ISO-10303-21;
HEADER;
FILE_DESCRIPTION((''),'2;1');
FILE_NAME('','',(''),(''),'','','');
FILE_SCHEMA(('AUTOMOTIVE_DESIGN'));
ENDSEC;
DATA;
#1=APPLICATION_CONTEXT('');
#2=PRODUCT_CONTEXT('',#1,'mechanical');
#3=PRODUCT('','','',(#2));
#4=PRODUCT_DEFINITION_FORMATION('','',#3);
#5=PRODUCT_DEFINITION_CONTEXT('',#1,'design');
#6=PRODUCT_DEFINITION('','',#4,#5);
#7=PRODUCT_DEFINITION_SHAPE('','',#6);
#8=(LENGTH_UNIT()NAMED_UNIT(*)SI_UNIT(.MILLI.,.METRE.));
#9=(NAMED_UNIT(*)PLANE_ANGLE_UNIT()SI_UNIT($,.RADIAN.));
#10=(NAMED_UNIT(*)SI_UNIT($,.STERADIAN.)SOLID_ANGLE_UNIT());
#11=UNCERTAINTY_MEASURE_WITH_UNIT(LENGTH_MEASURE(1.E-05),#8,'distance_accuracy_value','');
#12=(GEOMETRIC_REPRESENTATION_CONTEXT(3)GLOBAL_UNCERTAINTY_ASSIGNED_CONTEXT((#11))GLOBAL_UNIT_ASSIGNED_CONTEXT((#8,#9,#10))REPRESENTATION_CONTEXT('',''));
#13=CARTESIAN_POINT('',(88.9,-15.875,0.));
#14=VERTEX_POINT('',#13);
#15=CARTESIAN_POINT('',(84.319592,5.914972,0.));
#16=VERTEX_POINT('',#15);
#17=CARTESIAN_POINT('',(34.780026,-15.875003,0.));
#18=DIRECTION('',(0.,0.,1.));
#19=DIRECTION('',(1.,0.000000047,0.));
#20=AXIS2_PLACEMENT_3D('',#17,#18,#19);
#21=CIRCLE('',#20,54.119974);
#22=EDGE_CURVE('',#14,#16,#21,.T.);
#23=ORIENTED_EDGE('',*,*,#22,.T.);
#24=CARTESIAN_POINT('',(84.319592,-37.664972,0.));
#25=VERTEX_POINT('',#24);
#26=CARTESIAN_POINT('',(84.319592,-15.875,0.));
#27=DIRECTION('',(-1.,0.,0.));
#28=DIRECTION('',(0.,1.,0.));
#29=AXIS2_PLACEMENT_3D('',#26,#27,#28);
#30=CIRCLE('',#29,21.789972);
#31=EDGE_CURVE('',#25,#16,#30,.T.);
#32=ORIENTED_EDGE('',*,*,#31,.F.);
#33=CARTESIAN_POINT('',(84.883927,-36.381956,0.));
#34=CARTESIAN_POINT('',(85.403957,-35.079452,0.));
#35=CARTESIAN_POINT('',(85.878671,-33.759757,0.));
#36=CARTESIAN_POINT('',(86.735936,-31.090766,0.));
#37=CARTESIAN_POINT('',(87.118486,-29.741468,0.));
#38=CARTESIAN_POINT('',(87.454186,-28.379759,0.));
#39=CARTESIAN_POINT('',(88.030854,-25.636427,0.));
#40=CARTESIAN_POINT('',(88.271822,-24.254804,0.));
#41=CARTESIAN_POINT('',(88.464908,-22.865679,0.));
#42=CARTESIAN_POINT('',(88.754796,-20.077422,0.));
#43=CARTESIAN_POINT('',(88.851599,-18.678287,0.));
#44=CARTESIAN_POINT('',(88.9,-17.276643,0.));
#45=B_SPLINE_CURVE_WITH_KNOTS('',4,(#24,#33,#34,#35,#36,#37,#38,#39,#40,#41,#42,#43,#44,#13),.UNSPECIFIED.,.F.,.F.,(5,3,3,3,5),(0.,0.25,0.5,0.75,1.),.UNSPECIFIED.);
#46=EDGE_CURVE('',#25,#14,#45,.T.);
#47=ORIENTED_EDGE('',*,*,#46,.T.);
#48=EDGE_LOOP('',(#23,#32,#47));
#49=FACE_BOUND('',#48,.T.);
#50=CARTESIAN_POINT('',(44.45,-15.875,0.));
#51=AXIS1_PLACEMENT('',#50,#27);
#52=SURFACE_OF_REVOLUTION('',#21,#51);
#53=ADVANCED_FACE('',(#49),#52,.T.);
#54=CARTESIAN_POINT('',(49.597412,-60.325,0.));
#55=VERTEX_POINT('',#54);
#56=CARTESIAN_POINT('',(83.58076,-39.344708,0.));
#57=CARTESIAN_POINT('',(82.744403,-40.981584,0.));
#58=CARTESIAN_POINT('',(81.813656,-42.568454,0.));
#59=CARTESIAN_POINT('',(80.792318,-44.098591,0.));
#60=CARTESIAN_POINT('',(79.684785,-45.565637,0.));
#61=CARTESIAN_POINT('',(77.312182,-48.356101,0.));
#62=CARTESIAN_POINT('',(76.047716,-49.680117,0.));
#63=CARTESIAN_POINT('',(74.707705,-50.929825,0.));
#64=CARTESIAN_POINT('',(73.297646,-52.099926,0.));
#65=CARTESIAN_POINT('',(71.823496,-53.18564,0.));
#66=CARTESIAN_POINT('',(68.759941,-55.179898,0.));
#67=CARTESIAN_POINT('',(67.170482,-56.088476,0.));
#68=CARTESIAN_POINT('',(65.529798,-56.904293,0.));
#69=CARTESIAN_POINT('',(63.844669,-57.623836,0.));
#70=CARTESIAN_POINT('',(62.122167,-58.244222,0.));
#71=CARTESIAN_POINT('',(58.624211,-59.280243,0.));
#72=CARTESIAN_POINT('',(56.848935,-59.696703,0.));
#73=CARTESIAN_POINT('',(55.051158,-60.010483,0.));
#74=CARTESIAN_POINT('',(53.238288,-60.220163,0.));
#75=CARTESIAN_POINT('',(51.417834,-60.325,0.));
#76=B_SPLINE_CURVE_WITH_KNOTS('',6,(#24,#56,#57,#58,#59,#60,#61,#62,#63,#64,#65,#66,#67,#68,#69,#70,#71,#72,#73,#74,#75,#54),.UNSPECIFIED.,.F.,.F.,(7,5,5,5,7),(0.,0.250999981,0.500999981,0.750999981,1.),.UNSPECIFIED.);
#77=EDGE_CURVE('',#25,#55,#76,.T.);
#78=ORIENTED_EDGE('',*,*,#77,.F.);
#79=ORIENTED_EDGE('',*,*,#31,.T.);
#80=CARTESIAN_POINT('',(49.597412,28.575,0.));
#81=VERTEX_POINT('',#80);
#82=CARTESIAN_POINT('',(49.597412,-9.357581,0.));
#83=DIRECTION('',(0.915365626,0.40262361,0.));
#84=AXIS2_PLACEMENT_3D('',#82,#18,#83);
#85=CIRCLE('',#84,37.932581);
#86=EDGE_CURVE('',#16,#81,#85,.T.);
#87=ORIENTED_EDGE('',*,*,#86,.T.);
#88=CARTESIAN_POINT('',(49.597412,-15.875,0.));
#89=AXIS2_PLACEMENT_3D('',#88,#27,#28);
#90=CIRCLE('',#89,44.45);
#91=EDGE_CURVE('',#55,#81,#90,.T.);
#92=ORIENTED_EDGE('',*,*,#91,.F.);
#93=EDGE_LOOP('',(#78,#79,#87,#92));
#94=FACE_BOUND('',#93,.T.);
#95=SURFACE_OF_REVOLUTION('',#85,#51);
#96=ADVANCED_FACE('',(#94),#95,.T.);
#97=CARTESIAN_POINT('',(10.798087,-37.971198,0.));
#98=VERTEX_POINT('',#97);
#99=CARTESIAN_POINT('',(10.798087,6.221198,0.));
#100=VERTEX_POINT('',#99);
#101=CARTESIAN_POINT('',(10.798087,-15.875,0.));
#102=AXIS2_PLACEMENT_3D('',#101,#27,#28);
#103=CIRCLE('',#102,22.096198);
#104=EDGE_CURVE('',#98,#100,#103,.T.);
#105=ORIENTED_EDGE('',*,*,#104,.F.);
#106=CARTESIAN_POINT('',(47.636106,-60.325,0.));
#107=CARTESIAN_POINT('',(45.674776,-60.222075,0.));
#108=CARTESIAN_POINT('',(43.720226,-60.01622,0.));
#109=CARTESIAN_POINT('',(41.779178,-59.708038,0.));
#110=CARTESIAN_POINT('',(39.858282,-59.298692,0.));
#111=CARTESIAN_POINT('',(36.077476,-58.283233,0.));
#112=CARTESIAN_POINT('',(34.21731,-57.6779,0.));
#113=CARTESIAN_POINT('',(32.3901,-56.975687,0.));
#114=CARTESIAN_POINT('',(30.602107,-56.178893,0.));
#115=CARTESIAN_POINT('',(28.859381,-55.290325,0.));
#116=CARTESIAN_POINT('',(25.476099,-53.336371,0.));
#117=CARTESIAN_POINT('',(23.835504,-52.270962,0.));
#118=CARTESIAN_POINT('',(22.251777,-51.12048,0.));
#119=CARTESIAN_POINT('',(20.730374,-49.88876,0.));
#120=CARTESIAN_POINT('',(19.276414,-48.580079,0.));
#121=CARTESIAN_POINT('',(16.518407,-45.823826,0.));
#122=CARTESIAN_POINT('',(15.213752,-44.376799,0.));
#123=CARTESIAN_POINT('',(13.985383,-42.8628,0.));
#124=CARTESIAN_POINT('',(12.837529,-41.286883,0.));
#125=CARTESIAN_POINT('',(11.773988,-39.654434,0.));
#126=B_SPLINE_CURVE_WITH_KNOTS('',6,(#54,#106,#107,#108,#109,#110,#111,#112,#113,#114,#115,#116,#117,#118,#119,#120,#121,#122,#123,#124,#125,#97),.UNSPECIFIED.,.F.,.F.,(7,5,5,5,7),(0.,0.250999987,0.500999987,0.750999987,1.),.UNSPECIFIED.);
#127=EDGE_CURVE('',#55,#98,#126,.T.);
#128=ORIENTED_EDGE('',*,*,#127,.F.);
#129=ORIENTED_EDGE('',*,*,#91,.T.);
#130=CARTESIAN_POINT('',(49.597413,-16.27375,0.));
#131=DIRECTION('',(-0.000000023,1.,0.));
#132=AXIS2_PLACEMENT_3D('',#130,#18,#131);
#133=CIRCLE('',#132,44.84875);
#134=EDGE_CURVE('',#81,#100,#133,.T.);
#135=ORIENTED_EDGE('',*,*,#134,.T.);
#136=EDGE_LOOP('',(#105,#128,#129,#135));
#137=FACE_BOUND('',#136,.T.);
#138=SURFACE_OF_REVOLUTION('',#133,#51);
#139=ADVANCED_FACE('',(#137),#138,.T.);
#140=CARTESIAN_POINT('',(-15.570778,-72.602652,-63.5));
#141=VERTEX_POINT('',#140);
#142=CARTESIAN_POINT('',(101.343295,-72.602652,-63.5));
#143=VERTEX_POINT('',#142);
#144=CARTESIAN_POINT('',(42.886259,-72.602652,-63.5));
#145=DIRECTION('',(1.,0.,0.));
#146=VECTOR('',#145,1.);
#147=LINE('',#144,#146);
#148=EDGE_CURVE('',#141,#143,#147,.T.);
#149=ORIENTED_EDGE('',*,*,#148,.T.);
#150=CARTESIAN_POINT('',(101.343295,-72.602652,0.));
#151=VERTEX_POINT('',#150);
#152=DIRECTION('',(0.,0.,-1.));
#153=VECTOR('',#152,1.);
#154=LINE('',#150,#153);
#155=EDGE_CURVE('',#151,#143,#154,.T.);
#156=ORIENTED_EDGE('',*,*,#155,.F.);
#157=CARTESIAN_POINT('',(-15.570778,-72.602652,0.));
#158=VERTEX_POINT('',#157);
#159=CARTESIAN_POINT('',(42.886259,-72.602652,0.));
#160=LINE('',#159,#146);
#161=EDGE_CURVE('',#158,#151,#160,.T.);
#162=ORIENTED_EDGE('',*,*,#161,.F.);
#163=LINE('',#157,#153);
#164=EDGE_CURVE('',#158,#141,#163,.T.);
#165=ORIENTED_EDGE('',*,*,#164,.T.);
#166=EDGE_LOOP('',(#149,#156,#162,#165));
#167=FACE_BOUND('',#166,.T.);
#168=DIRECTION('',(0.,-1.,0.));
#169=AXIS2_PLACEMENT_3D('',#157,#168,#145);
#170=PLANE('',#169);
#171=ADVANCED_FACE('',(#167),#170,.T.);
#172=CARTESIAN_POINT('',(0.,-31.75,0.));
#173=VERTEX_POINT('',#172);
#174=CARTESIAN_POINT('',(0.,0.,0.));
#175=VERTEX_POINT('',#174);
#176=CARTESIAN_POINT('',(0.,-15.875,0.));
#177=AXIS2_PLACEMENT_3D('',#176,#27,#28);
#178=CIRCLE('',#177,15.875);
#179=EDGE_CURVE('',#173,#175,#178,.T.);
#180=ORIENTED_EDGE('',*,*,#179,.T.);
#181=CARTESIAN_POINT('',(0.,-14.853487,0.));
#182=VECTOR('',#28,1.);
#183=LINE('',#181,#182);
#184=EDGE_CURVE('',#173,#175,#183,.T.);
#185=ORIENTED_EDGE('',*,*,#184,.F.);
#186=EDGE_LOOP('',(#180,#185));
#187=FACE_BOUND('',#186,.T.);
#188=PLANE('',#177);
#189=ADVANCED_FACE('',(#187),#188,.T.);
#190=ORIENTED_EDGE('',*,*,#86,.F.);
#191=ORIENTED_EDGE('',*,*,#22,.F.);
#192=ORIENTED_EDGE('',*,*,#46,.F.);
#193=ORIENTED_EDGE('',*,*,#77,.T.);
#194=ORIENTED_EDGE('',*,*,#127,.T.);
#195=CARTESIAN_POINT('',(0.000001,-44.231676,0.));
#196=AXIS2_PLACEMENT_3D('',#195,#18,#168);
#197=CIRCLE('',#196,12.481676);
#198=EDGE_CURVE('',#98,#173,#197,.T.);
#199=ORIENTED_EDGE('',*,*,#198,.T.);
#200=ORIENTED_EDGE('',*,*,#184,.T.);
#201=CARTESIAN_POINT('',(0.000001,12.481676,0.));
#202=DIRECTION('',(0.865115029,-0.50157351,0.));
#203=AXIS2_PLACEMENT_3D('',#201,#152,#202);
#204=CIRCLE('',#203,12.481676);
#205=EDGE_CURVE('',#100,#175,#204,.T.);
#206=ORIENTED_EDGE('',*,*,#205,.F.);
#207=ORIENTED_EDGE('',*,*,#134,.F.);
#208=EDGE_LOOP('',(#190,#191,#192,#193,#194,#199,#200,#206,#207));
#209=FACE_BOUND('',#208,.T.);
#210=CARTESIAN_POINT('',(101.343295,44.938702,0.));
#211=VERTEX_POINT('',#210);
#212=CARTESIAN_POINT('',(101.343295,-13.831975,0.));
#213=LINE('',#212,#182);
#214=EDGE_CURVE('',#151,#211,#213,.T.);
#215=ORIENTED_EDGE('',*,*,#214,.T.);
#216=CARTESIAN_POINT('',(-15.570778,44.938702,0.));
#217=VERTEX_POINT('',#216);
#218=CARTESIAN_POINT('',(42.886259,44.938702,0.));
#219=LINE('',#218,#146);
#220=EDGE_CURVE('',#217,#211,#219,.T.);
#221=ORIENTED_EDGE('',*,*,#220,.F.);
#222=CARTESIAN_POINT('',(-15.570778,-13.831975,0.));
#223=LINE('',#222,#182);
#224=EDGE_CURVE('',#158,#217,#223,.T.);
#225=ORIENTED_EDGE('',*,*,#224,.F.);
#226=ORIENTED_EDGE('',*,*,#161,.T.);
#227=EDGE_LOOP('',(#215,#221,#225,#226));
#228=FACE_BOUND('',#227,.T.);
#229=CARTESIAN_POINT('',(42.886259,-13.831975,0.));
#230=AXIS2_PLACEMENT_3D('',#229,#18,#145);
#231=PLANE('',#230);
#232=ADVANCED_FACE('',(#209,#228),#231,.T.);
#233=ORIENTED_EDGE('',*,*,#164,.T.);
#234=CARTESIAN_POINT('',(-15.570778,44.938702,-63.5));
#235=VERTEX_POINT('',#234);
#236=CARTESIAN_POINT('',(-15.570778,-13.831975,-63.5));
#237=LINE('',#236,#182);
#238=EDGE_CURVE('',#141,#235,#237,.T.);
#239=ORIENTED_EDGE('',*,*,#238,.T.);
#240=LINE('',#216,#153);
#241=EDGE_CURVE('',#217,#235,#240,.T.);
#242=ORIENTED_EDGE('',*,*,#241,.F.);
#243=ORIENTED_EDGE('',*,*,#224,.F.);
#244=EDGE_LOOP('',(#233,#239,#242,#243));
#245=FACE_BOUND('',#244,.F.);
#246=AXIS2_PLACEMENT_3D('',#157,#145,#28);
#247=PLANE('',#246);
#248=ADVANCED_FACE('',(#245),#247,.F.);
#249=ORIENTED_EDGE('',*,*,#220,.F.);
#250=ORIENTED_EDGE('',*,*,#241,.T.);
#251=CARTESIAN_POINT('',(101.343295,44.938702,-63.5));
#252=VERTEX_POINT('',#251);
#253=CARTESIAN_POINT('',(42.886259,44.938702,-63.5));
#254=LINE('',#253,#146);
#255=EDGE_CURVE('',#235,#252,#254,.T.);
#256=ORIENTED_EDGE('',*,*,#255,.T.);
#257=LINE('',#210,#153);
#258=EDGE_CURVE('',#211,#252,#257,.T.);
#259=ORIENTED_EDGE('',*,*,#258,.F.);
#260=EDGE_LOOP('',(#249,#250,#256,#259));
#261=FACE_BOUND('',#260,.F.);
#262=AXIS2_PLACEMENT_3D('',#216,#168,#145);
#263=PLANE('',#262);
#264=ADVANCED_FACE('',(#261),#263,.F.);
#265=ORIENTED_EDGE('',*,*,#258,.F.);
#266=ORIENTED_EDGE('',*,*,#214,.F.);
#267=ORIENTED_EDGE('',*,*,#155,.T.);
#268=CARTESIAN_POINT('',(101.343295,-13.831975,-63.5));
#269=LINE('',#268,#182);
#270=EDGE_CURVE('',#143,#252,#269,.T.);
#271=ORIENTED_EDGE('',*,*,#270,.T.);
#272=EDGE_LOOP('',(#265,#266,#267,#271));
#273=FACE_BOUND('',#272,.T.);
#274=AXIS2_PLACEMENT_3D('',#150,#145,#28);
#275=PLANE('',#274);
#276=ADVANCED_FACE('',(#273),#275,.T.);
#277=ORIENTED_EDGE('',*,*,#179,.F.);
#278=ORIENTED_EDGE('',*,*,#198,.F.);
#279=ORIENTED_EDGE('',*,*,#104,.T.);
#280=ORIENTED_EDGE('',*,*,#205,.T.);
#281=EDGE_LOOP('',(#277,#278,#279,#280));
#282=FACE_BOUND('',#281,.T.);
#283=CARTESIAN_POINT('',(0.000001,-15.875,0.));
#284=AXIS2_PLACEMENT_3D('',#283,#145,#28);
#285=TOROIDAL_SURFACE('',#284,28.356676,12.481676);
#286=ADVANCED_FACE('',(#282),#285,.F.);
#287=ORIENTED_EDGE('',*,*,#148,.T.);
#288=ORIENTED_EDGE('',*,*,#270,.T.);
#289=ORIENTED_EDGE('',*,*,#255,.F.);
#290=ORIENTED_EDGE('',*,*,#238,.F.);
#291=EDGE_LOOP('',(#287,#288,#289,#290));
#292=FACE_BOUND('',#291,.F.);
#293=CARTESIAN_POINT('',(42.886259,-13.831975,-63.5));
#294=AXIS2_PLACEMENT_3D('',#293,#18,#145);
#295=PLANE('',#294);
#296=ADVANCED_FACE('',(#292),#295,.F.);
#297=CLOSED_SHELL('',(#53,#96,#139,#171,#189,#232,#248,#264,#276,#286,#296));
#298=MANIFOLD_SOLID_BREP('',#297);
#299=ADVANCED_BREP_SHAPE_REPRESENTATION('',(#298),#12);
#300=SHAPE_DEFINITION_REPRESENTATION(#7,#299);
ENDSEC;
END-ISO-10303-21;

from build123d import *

# Parameters (mm, degrees)
F2_W     = 116.914073
F2_H     = 117.541354
F3_DEPTH = 63.5


with BuildPart() as f1:
    # F0 (on Top) → F1 (revolve)
    with BuildSketch(Plane.XY):
        with BuildLine():
            Line((0, -15.875), (88.9, -15.875))
            ThreePointArc((88.9, -15.875), (87.74252, -4.741907), (84.319592, 5.914972))
            ThreePointArc((84.319592, 5.914972), (70.328467, 22.408817), (49.597412, 28.575))
            ThreePointArc((49.597412, 28.575), (27.208352, 22.586774), (10.798087, 6.221198))
            ThreePointArc((10.798087, 6.221198), (6.231011, 1.666559), (0, 0))
            Line((0, 0), (0, -15.875))
        make_face()
    revolve(axis=Axis((44.45, -15.875, 0), (-1, 0, 0)))

    # F2 (on Top) → F3 (join)
    with BuildSketch(Plane.XY):
        with Locations((42.886259, -13.831975)):
            Rectangle(F2_W, F2_H)
    extrude(amount=-F3_DEPTH)


solid = f1.part
